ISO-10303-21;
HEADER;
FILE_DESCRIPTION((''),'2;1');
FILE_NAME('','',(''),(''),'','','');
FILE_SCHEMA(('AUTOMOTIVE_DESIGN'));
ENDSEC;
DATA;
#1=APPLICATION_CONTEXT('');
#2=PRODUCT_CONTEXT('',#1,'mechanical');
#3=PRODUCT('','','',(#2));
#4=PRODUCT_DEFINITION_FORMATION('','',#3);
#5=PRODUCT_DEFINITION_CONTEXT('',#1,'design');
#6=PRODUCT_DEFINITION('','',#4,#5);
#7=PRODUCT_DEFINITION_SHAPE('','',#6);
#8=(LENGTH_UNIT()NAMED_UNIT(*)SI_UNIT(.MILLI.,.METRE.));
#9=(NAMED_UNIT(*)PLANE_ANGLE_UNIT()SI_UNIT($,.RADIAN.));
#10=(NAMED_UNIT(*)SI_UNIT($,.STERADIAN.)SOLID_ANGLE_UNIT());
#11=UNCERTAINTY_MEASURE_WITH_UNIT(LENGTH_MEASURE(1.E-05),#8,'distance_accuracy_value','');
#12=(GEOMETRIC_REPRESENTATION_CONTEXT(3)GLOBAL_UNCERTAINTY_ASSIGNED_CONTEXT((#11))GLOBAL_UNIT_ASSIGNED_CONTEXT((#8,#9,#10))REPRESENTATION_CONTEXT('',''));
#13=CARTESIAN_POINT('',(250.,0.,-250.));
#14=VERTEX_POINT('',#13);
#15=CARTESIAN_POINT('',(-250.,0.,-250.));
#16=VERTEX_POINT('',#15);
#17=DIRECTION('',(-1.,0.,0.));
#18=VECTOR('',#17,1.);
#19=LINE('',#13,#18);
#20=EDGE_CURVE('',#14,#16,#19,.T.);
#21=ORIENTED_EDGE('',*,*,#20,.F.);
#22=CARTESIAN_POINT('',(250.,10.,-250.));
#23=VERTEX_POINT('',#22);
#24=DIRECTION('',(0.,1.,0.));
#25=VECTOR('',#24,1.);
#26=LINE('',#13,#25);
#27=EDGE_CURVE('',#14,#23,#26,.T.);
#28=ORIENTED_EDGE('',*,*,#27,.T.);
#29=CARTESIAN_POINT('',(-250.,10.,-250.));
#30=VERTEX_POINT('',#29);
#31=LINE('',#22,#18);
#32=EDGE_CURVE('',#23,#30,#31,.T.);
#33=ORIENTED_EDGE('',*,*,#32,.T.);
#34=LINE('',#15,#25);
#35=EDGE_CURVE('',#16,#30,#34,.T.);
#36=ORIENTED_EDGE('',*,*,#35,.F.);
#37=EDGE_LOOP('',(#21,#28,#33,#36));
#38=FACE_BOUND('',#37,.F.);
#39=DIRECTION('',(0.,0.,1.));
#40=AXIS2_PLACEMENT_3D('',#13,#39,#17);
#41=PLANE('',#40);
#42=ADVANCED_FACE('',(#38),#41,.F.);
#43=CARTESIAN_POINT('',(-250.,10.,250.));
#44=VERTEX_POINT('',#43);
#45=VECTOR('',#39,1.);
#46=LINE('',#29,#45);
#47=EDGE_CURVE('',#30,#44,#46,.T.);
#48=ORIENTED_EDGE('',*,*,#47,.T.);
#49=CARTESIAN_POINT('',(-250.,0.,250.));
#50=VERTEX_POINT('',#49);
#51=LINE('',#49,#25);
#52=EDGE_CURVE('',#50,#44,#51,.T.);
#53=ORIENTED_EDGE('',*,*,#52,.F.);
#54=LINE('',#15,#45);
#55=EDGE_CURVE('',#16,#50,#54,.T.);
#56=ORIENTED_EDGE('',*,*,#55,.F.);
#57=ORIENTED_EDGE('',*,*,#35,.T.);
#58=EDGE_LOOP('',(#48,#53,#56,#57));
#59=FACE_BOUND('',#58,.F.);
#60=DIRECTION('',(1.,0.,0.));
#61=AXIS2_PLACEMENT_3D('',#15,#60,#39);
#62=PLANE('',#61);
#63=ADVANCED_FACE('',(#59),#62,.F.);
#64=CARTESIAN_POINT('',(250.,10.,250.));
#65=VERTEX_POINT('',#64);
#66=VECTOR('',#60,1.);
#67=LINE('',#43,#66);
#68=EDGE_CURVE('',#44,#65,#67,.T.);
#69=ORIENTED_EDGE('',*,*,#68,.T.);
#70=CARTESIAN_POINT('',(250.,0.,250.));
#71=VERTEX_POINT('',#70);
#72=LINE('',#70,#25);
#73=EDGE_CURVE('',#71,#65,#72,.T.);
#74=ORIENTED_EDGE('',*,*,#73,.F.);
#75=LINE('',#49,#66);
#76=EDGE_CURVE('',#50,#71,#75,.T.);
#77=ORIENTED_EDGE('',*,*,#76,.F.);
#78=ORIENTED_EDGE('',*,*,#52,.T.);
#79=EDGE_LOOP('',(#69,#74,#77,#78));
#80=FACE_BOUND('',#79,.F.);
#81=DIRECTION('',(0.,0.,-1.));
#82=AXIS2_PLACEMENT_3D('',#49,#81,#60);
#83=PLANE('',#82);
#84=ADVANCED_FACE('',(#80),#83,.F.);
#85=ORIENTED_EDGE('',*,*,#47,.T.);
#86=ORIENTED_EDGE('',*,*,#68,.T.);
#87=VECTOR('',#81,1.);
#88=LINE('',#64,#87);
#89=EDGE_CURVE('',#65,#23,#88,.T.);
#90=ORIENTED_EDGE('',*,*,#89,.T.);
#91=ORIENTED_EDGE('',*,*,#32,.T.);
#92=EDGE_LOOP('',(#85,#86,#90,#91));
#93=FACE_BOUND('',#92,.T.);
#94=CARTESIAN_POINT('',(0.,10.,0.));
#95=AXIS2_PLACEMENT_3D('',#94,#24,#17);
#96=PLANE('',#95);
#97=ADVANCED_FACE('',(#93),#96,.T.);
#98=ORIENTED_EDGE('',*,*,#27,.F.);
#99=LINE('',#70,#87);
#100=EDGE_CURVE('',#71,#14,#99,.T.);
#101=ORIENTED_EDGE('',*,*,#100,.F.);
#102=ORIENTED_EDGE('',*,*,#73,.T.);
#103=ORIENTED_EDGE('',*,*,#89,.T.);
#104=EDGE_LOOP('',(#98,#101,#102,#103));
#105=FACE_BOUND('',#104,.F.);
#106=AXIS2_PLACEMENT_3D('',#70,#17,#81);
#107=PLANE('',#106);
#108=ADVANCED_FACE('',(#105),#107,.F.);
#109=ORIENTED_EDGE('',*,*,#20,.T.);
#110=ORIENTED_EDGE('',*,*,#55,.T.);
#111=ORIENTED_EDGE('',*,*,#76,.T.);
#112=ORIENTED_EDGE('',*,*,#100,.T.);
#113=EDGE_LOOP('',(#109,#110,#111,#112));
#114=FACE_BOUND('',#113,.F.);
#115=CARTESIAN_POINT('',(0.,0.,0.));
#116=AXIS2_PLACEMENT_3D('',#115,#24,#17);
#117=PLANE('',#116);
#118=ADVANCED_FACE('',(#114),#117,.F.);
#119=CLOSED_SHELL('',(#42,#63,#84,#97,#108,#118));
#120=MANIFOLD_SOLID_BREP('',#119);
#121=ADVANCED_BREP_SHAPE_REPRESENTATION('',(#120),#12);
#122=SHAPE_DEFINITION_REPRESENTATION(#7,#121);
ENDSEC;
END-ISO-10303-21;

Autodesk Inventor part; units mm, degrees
ref_plane "YZ Plane" through (0, 0, 0) normal (1, 0, 0) x (0, 1, 0)
ref_plane "XZ Plane" through (0, 0, 0) normal (0, 1, 0) x (-1, 0, 0)
ref_plane "XY Plane" through (0, 0, 0) normal (0, 0, 1) x (1, 0, 0)
sketch "Sketch1" plane through (0, 0, 0) normal (0, 1, 0) x (-1, 0, 0)
  line L0 (250, 250) -> (-250, 250)
  line L1 (-250, 250) -> (-250, -250)
  line L2 (-250, -250) -> (250, -250)
  line L3 (250, -250) -> (250, 250)
  line L4 (250, 250) -> (-250, -250) construction
  line L5 (-250, 250) -> (250, -250) construction
  point P0 (0, 0)
  dimension "d2" = 500
  dimension "d3" = 500
extrude "Extrusion1" add sketch "Sketch1" along normal blind 10
properties part number "PisoDeEnsayoIgnorar"
